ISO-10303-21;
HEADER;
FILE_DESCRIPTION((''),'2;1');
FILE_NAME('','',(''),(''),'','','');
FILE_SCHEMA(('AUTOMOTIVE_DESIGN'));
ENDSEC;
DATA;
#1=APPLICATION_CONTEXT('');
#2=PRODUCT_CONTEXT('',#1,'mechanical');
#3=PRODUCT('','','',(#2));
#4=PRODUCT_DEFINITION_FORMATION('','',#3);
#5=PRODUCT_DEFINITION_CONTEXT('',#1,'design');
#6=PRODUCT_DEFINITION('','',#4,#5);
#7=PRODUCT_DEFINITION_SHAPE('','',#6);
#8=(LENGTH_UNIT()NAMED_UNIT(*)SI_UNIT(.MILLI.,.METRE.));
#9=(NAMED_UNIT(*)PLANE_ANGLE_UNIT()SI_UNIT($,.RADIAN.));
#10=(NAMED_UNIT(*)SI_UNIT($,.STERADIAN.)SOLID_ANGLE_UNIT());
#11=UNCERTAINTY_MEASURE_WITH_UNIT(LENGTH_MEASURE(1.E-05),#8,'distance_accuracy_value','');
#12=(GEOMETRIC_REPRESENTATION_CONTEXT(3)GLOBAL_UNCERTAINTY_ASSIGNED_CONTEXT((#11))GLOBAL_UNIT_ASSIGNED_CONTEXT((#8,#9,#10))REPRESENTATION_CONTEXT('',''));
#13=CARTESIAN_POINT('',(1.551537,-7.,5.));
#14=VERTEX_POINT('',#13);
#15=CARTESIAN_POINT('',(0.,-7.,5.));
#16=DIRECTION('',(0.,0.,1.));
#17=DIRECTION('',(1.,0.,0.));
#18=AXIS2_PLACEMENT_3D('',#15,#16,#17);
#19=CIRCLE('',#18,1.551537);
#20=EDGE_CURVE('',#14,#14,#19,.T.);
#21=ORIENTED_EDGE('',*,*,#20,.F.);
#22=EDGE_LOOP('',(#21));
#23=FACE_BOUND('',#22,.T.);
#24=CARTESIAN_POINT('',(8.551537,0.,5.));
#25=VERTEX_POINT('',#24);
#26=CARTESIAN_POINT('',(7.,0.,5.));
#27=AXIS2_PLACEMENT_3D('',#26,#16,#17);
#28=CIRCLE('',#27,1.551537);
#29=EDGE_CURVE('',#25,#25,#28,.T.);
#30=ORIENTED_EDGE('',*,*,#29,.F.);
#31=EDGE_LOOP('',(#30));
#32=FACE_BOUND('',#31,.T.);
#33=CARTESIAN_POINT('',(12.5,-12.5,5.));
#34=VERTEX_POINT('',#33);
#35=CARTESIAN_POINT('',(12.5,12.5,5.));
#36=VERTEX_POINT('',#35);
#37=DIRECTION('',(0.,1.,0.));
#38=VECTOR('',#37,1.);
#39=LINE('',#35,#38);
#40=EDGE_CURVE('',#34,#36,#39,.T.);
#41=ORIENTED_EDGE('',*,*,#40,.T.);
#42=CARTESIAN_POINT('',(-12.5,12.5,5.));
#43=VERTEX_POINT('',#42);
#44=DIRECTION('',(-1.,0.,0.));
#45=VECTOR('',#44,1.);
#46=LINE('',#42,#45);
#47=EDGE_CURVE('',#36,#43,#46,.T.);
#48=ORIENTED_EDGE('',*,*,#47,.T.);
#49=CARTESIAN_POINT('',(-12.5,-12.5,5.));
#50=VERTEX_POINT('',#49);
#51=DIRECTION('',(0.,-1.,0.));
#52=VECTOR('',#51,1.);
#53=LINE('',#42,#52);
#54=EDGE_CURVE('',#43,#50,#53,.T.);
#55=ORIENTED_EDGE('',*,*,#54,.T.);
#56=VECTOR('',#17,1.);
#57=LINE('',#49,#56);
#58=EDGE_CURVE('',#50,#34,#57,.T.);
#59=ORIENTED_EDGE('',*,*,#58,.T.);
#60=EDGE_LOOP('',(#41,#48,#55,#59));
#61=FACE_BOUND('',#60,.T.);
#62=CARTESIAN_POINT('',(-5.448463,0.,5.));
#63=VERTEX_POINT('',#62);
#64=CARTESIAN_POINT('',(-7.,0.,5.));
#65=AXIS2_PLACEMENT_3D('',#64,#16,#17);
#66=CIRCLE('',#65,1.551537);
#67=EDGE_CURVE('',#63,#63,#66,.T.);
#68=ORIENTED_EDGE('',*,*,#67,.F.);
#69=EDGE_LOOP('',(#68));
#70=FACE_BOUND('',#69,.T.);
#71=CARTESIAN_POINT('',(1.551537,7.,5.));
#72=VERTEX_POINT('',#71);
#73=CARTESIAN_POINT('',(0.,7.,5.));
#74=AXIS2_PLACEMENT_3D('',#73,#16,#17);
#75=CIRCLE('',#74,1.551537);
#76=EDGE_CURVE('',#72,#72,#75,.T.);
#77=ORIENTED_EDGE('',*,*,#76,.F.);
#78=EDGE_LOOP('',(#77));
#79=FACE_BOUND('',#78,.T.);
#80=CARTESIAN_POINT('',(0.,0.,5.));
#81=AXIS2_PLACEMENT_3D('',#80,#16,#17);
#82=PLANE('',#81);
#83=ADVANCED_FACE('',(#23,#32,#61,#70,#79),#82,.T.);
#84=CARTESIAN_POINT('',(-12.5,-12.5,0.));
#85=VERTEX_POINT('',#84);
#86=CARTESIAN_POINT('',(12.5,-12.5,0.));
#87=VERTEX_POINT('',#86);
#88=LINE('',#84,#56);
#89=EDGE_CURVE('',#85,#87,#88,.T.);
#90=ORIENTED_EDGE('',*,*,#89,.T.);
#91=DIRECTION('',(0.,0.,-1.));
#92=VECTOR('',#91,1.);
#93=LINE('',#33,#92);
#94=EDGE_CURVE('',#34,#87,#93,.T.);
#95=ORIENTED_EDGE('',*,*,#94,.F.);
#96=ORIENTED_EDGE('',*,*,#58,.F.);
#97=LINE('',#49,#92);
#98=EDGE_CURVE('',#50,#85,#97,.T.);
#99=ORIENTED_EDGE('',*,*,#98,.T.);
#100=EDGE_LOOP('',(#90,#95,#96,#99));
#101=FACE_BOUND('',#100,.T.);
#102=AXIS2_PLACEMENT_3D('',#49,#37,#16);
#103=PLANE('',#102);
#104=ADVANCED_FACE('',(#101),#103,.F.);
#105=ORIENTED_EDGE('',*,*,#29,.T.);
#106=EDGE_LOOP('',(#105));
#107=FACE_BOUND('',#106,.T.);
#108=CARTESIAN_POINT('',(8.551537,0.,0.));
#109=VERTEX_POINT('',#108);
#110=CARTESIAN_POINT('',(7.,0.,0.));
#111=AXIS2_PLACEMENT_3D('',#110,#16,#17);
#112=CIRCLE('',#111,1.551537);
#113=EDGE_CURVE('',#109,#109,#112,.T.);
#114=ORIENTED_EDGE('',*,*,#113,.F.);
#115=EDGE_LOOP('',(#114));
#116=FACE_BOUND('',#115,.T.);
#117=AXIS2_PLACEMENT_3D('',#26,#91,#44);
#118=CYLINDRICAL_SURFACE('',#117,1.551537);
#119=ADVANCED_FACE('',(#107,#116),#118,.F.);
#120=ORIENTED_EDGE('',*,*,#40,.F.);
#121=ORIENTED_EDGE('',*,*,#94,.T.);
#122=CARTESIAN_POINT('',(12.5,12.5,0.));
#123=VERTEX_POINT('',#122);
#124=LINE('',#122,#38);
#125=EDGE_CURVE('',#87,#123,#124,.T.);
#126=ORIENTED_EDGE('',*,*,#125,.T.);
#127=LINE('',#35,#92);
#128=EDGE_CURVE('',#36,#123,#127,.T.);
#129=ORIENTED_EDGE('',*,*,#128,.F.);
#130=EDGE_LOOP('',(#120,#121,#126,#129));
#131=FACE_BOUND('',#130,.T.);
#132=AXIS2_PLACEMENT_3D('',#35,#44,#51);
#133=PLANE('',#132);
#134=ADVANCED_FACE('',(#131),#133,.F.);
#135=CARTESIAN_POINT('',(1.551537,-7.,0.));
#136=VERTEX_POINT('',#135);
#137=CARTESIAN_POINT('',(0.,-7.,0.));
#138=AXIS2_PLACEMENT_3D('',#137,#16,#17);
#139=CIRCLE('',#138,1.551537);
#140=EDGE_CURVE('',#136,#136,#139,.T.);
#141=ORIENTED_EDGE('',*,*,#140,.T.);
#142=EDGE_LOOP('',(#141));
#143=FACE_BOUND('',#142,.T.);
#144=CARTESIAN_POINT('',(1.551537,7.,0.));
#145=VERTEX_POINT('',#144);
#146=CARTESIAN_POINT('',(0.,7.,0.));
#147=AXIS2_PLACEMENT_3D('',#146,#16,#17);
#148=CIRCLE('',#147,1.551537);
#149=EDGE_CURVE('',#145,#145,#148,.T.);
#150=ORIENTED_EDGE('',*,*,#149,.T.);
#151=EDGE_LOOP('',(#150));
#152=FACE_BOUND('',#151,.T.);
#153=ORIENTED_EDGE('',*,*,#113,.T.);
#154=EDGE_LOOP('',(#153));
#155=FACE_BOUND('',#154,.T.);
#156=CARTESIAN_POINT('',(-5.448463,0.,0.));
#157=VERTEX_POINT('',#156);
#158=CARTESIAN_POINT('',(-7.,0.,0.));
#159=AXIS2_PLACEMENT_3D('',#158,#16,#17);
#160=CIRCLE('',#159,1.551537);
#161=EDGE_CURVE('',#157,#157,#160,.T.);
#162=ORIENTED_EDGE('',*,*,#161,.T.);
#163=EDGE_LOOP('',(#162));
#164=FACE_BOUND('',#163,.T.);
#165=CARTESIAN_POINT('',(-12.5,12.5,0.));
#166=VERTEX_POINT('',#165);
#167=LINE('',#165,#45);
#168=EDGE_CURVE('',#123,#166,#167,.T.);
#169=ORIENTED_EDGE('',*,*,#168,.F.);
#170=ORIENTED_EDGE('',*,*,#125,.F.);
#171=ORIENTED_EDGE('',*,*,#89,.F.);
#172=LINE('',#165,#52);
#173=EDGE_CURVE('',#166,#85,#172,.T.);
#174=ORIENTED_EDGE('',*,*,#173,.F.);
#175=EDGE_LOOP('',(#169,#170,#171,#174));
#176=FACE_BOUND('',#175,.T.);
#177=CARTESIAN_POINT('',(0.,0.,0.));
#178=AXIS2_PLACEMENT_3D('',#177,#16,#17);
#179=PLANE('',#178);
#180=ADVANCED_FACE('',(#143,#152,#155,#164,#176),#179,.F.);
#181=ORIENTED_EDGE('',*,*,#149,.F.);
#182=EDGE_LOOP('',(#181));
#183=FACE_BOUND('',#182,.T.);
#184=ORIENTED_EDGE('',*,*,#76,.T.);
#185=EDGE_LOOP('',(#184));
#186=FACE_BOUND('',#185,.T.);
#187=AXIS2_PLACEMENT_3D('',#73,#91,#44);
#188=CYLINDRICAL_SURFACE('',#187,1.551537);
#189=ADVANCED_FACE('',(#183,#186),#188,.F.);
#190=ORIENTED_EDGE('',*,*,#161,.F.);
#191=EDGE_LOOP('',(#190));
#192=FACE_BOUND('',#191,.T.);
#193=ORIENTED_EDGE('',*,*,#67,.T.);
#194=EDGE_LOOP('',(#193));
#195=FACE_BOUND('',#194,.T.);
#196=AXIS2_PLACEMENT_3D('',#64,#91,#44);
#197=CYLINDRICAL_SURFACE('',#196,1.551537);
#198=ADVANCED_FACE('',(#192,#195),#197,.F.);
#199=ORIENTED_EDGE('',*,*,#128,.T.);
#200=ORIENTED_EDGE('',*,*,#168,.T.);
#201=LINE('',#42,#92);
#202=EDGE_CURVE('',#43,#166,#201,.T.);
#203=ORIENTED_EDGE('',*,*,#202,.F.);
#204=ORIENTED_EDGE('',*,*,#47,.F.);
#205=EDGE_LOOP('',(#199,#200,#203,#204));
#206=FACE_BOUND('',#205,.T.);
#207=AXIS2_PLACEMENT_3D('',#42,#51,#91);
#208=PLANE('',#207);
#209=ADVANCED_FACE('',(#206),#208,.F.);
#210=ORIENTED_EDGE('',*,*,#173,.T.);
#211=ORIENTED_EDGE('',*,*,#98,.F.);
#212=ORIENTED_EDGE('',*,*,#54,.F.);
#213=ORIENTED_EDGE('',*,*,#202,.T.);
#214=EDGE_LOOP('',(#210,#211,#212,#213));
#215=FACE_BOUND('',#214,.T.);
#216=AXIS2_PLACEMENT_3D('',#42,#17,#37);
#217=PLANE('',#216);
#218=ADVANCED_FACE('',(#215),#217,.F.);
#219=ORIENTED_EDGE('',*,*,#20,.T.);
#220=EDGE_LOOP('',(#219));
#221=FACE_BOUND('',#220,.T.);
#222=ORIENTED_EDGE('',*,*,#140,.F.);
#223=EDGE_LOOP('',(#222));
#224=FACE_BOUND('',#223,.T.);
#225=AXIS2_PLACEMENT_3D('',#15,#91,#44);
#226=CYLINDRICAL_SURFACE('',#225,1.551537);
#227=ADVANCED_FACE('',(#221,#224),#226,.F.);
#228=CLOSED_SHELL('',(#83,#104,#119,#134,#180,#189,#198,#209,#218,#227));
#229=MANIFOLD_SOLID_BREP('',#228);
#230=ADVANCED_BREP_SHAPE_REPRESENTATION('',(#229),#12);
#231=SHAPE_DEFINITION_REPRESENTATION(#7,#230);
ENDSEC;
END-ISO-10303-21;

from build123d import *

# Parameters (mm, degrees)
SKETCH1_W           = 25
SKETCH1_H           = 25
SKETCH1_R           = 1.5
SKETCH1_R_2         = 1.551537049
BOSS_EXTRUDE1_DEPTH = 5
SKETCH2_R           = 1.55
BOSS_EXTRUDE2_DEPTH = 5


with BuildPart() as part:
    # Sketch1 → Boss-Extrude1 (new body)
    with BuildSketch(Plane.XY):
        Rectangle(SKETCH1_W, SKETCH1_H)
        Circle(SKETCH1_R, mode=Mode.SUBTRACT)
        with Locations((0, 7)):
            Circle(SKETCH1_R_2, mode=Mode.SUBTRACT)
        with Locations((7, 0)):
            Circle(SKETCH1_R_2, mode=Mode.SUBTRACT)
        with Locations((0, -7)):
            Circle(SKETCH1_R_2, mode=Mode.SUBTRACT)
        with Locations((-7, 0)):
            Circle(SKETCH1_R_2, mode=Mode.SUBTRACT)
    extrude(amount=BOSS_EXTRUDE1_DEPTH)

    # Sketch2 → Boss-Extrude2 (add)
    with BuildSketch(Plane.XY.offset(5)):
        Circle(SKETCH2_R)
    extrude(amount=-BOSS_EXTRUDE2_DEPTH)


solid = part.part
